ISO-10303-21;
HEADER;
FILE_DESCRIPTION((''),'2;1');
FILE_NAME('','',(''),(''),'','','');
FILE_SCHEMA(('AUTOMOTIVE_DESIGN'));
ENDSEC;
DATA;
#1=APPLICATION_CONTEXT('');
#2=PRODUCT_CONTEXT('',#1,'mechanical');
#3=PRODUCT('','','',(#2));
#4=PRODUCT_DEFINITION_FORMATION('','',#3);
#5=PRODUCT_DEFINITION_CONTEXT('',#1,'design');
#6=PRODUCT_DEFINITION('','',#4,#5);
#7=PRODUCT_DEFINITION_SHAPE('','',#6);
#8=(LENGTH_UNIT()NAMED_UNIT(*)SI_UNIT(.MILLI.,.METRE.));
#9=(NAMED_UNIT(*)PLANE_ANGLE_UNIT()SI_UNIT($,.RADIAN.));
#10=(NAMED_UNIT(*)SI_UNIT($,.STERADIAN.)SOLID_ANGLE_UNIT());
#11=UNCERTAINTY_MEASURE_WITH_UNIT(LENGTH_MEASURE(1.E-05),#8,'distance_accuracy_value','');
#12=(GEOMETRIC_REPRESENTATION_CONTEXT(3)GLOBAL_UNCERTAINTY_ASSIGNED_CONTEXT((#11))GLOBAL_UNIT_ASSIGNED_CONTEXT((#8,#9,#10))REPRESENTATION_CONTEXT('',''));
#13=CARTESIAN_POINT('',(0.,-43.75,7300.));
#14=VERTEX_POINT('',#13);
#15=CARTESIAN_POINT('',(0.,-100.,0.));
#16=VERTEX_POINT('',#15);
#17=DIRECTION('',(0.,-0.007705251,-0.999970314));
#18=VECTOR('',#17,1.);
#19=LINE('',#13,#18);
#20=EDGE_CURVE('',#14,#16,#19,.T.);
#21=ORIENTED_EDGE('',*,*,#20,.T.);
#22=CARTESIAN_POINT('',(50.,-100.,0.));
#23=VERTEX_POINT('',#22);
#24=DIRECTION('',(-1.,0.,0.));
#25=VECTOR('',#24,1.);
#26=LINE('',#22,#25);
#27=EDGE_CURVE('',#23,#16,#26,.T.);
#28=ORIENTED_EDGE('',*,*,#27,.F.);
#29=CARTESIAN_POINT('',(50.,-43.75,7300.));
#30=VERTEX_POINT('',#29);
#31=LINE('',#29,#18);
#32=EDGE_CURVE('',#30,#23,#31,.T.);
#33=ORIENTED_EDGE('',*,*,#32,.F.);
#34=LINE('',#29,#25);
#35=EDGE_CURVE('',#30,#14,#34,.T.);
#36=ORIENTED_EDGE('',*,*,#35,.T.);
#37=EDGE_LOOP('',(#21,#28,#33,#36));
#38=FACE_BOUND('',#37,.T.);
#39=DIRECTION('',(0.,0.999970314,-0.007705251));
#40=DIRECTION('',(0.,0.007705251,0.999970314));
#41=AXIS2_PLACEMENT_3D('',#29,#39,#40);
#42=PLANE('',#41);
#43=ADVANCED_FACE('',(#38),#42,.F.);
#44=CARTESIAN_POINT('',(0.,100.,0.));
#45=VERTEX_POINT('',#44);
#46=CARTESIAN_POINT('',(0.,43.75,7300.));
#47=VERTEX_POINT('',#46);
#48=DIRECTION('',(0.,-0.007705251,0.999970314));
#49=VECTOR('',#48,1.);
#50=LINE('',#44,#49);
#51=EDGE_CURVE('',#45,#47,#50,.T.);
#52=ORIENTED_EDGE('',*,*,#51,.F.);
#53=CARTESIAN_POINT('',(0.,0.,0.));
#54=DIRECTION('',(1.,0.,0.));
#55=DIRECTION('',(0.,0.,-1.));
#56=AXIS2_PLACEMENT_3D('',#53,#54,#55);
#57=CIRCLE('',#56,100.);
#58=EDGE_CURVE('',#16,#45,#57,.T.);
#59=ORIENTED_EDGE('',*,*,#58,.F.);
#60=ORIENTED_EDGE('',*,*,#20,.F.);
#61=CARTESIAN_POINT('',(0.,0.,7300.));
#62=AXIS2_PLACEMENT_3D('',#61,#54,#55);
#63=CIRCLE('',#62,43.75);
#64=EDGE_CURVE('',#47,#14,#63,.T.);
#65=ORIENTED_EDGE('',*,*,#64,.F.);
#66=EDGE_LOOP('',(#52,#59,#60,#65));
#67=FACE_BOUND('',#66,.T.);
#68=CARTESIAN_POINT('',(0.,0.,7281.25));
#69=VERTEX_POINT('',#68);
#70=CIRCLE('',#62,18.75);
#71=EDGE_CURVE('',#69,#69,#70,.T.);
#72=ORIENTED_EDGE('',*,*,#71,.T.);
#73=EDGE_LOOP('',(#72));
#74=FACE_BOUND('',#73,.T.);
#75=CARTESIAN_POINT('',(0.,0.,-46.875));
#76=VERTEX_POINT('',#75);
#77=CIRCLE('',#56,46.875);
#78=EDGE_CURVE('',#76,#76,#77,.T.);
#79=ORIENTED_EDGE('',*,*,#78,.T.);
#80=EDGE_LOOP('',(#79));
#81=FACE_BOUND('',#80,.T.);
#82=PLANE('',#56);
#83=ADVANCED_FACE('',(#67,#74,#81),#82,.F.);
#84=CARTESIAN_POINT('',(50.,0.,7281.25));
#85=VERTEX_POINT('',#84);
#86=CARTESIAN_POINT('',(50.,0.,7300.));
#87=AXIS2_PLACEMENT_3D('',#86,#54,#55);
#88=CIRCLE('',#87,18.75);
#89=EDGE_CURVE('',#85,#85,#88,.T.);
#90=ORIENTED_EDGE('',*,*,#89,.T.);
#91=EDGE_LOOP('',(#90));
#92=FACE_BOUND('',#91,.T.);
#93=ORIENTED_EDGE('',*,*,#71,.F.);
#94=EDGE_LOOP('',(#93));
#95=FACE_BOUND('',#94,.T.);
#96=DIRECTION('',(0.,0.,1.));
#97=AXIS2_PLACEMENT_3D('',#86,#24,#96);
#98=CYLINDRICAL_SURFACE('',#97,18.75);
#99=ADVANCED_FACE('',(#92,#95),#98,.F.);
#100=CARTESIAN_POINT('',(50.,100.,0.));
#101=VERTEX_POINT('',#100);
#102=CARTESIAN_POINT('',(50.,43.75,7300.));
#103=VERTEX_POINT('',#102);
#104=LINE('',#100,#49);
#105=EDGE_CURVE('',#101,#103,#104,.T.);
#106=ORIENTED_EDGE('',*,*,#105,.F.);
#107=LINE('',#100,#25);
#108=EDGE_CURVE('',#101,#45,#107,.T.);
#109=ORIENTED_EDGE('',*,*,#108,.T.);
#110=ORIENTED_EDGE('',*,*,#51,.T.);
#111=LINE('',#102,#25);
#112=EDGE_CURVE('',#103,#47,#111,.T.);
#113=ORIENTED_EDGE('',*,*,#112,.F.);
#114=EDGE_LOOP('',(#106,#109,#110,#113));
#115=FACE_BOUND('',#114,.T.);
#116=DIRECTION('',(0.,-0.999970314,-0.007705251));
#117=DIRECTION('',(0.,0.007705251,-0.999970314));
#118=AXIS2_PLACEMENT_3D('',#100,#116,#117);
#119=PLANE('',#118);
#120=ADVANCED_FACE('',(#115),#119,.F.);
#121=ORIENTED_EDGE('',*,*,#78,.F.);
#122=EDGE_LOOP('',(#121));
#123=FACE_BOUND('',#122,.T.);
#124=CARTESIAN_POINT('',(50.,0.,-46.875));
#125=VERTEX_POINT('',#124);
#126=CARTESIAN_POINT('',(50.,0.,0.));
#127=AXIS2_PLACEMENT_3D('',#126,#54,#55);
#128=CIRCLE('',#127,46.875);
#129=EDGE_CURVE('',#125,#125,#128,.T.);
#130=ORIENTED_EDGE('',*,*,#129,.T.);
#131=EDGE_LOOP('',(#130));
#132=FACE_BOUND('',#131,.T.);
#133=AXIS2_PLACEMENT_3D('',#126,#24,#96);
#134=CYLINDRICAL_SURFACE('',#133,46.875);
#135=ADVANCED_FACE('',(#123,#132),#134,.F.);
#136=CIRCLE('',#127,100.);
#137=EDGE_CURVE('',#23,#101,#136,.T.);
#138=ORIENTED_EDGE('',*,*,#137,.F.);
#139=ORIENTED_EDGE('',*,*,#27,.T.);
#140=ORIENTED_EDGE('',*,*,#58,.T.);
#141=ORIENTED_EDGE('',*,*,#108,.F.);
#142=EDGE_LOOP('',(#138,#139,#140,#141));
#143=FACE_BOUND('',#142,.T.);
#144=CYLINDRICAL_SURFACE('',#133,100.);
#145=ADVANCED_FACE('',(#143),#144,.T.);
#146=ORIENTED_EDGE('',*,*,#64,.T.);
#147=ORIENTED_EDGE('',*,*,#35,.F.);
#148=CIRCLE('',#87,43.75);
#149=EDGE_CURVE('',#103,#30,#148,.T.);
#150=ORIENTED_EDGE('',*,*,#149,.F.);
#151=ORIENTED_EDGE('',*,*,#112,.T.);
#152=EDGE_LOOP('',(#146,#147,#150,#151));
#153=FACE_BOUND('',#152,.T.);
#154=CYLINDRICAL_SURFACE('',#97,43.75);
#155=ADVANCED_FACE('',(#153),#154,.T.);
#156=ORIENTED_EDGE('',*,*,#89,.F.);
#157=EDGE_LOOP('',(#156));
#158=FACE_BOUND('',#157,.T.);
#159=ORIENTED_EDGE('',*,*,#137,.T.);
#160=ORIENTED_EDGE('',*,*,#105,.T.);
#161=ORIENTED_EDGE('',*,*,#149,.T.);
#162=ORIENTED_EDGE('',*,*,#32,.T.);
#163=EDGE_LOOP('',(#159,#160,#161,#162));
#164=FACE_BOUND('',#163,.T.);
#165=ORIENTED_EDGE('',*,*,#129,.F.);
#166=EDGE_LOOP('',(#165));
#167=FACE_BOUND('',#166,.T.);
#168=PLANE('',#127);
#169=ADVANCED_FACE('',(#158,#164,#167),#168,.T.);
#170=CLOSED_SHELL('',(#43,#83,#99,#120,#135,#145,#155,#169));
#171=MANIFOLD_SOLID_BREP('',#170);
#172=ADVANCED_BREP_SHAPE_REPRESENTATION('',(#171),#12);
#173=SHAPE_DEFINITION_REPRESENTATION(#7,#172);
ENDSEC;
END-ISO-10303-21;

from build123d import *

# Parameters (mm, degrees)
SKETCH1_R           = 46.875
SKETCH1_R_2         = 18.75
BOSS_EXTRUDE1_DEPTH = 50


with BuildPart() as part:
    # Sketch1 → Boss-Extrude1 (new body)
    with BuildSketch(Plane(origin=(0, 0, 0), x_dir=(0, 0, -1), z_dir=(1, 0, 0))):
        with BuildLine():
            Line((-7300, -43.75), (0, -100))
            ThreePointArc((0, -100), (100, 0), (0, 100))
            Line((0, 100), (-7300, 43.75))
            ThreePointArc((-7300, 43.75), (-7343.75, 0), (-7300, -43.75))
        make_face()
        Circle(SKETCH1_R, mode=Mode.SUBTRACT)
        with Locations((-7300, 0)):
            Circle(SKETCH1_R_2, mode=Mode.SUBTRACT)
    extrude(amount=BOSS_EXTRUDE1_DEPTH)


solid = part.part
